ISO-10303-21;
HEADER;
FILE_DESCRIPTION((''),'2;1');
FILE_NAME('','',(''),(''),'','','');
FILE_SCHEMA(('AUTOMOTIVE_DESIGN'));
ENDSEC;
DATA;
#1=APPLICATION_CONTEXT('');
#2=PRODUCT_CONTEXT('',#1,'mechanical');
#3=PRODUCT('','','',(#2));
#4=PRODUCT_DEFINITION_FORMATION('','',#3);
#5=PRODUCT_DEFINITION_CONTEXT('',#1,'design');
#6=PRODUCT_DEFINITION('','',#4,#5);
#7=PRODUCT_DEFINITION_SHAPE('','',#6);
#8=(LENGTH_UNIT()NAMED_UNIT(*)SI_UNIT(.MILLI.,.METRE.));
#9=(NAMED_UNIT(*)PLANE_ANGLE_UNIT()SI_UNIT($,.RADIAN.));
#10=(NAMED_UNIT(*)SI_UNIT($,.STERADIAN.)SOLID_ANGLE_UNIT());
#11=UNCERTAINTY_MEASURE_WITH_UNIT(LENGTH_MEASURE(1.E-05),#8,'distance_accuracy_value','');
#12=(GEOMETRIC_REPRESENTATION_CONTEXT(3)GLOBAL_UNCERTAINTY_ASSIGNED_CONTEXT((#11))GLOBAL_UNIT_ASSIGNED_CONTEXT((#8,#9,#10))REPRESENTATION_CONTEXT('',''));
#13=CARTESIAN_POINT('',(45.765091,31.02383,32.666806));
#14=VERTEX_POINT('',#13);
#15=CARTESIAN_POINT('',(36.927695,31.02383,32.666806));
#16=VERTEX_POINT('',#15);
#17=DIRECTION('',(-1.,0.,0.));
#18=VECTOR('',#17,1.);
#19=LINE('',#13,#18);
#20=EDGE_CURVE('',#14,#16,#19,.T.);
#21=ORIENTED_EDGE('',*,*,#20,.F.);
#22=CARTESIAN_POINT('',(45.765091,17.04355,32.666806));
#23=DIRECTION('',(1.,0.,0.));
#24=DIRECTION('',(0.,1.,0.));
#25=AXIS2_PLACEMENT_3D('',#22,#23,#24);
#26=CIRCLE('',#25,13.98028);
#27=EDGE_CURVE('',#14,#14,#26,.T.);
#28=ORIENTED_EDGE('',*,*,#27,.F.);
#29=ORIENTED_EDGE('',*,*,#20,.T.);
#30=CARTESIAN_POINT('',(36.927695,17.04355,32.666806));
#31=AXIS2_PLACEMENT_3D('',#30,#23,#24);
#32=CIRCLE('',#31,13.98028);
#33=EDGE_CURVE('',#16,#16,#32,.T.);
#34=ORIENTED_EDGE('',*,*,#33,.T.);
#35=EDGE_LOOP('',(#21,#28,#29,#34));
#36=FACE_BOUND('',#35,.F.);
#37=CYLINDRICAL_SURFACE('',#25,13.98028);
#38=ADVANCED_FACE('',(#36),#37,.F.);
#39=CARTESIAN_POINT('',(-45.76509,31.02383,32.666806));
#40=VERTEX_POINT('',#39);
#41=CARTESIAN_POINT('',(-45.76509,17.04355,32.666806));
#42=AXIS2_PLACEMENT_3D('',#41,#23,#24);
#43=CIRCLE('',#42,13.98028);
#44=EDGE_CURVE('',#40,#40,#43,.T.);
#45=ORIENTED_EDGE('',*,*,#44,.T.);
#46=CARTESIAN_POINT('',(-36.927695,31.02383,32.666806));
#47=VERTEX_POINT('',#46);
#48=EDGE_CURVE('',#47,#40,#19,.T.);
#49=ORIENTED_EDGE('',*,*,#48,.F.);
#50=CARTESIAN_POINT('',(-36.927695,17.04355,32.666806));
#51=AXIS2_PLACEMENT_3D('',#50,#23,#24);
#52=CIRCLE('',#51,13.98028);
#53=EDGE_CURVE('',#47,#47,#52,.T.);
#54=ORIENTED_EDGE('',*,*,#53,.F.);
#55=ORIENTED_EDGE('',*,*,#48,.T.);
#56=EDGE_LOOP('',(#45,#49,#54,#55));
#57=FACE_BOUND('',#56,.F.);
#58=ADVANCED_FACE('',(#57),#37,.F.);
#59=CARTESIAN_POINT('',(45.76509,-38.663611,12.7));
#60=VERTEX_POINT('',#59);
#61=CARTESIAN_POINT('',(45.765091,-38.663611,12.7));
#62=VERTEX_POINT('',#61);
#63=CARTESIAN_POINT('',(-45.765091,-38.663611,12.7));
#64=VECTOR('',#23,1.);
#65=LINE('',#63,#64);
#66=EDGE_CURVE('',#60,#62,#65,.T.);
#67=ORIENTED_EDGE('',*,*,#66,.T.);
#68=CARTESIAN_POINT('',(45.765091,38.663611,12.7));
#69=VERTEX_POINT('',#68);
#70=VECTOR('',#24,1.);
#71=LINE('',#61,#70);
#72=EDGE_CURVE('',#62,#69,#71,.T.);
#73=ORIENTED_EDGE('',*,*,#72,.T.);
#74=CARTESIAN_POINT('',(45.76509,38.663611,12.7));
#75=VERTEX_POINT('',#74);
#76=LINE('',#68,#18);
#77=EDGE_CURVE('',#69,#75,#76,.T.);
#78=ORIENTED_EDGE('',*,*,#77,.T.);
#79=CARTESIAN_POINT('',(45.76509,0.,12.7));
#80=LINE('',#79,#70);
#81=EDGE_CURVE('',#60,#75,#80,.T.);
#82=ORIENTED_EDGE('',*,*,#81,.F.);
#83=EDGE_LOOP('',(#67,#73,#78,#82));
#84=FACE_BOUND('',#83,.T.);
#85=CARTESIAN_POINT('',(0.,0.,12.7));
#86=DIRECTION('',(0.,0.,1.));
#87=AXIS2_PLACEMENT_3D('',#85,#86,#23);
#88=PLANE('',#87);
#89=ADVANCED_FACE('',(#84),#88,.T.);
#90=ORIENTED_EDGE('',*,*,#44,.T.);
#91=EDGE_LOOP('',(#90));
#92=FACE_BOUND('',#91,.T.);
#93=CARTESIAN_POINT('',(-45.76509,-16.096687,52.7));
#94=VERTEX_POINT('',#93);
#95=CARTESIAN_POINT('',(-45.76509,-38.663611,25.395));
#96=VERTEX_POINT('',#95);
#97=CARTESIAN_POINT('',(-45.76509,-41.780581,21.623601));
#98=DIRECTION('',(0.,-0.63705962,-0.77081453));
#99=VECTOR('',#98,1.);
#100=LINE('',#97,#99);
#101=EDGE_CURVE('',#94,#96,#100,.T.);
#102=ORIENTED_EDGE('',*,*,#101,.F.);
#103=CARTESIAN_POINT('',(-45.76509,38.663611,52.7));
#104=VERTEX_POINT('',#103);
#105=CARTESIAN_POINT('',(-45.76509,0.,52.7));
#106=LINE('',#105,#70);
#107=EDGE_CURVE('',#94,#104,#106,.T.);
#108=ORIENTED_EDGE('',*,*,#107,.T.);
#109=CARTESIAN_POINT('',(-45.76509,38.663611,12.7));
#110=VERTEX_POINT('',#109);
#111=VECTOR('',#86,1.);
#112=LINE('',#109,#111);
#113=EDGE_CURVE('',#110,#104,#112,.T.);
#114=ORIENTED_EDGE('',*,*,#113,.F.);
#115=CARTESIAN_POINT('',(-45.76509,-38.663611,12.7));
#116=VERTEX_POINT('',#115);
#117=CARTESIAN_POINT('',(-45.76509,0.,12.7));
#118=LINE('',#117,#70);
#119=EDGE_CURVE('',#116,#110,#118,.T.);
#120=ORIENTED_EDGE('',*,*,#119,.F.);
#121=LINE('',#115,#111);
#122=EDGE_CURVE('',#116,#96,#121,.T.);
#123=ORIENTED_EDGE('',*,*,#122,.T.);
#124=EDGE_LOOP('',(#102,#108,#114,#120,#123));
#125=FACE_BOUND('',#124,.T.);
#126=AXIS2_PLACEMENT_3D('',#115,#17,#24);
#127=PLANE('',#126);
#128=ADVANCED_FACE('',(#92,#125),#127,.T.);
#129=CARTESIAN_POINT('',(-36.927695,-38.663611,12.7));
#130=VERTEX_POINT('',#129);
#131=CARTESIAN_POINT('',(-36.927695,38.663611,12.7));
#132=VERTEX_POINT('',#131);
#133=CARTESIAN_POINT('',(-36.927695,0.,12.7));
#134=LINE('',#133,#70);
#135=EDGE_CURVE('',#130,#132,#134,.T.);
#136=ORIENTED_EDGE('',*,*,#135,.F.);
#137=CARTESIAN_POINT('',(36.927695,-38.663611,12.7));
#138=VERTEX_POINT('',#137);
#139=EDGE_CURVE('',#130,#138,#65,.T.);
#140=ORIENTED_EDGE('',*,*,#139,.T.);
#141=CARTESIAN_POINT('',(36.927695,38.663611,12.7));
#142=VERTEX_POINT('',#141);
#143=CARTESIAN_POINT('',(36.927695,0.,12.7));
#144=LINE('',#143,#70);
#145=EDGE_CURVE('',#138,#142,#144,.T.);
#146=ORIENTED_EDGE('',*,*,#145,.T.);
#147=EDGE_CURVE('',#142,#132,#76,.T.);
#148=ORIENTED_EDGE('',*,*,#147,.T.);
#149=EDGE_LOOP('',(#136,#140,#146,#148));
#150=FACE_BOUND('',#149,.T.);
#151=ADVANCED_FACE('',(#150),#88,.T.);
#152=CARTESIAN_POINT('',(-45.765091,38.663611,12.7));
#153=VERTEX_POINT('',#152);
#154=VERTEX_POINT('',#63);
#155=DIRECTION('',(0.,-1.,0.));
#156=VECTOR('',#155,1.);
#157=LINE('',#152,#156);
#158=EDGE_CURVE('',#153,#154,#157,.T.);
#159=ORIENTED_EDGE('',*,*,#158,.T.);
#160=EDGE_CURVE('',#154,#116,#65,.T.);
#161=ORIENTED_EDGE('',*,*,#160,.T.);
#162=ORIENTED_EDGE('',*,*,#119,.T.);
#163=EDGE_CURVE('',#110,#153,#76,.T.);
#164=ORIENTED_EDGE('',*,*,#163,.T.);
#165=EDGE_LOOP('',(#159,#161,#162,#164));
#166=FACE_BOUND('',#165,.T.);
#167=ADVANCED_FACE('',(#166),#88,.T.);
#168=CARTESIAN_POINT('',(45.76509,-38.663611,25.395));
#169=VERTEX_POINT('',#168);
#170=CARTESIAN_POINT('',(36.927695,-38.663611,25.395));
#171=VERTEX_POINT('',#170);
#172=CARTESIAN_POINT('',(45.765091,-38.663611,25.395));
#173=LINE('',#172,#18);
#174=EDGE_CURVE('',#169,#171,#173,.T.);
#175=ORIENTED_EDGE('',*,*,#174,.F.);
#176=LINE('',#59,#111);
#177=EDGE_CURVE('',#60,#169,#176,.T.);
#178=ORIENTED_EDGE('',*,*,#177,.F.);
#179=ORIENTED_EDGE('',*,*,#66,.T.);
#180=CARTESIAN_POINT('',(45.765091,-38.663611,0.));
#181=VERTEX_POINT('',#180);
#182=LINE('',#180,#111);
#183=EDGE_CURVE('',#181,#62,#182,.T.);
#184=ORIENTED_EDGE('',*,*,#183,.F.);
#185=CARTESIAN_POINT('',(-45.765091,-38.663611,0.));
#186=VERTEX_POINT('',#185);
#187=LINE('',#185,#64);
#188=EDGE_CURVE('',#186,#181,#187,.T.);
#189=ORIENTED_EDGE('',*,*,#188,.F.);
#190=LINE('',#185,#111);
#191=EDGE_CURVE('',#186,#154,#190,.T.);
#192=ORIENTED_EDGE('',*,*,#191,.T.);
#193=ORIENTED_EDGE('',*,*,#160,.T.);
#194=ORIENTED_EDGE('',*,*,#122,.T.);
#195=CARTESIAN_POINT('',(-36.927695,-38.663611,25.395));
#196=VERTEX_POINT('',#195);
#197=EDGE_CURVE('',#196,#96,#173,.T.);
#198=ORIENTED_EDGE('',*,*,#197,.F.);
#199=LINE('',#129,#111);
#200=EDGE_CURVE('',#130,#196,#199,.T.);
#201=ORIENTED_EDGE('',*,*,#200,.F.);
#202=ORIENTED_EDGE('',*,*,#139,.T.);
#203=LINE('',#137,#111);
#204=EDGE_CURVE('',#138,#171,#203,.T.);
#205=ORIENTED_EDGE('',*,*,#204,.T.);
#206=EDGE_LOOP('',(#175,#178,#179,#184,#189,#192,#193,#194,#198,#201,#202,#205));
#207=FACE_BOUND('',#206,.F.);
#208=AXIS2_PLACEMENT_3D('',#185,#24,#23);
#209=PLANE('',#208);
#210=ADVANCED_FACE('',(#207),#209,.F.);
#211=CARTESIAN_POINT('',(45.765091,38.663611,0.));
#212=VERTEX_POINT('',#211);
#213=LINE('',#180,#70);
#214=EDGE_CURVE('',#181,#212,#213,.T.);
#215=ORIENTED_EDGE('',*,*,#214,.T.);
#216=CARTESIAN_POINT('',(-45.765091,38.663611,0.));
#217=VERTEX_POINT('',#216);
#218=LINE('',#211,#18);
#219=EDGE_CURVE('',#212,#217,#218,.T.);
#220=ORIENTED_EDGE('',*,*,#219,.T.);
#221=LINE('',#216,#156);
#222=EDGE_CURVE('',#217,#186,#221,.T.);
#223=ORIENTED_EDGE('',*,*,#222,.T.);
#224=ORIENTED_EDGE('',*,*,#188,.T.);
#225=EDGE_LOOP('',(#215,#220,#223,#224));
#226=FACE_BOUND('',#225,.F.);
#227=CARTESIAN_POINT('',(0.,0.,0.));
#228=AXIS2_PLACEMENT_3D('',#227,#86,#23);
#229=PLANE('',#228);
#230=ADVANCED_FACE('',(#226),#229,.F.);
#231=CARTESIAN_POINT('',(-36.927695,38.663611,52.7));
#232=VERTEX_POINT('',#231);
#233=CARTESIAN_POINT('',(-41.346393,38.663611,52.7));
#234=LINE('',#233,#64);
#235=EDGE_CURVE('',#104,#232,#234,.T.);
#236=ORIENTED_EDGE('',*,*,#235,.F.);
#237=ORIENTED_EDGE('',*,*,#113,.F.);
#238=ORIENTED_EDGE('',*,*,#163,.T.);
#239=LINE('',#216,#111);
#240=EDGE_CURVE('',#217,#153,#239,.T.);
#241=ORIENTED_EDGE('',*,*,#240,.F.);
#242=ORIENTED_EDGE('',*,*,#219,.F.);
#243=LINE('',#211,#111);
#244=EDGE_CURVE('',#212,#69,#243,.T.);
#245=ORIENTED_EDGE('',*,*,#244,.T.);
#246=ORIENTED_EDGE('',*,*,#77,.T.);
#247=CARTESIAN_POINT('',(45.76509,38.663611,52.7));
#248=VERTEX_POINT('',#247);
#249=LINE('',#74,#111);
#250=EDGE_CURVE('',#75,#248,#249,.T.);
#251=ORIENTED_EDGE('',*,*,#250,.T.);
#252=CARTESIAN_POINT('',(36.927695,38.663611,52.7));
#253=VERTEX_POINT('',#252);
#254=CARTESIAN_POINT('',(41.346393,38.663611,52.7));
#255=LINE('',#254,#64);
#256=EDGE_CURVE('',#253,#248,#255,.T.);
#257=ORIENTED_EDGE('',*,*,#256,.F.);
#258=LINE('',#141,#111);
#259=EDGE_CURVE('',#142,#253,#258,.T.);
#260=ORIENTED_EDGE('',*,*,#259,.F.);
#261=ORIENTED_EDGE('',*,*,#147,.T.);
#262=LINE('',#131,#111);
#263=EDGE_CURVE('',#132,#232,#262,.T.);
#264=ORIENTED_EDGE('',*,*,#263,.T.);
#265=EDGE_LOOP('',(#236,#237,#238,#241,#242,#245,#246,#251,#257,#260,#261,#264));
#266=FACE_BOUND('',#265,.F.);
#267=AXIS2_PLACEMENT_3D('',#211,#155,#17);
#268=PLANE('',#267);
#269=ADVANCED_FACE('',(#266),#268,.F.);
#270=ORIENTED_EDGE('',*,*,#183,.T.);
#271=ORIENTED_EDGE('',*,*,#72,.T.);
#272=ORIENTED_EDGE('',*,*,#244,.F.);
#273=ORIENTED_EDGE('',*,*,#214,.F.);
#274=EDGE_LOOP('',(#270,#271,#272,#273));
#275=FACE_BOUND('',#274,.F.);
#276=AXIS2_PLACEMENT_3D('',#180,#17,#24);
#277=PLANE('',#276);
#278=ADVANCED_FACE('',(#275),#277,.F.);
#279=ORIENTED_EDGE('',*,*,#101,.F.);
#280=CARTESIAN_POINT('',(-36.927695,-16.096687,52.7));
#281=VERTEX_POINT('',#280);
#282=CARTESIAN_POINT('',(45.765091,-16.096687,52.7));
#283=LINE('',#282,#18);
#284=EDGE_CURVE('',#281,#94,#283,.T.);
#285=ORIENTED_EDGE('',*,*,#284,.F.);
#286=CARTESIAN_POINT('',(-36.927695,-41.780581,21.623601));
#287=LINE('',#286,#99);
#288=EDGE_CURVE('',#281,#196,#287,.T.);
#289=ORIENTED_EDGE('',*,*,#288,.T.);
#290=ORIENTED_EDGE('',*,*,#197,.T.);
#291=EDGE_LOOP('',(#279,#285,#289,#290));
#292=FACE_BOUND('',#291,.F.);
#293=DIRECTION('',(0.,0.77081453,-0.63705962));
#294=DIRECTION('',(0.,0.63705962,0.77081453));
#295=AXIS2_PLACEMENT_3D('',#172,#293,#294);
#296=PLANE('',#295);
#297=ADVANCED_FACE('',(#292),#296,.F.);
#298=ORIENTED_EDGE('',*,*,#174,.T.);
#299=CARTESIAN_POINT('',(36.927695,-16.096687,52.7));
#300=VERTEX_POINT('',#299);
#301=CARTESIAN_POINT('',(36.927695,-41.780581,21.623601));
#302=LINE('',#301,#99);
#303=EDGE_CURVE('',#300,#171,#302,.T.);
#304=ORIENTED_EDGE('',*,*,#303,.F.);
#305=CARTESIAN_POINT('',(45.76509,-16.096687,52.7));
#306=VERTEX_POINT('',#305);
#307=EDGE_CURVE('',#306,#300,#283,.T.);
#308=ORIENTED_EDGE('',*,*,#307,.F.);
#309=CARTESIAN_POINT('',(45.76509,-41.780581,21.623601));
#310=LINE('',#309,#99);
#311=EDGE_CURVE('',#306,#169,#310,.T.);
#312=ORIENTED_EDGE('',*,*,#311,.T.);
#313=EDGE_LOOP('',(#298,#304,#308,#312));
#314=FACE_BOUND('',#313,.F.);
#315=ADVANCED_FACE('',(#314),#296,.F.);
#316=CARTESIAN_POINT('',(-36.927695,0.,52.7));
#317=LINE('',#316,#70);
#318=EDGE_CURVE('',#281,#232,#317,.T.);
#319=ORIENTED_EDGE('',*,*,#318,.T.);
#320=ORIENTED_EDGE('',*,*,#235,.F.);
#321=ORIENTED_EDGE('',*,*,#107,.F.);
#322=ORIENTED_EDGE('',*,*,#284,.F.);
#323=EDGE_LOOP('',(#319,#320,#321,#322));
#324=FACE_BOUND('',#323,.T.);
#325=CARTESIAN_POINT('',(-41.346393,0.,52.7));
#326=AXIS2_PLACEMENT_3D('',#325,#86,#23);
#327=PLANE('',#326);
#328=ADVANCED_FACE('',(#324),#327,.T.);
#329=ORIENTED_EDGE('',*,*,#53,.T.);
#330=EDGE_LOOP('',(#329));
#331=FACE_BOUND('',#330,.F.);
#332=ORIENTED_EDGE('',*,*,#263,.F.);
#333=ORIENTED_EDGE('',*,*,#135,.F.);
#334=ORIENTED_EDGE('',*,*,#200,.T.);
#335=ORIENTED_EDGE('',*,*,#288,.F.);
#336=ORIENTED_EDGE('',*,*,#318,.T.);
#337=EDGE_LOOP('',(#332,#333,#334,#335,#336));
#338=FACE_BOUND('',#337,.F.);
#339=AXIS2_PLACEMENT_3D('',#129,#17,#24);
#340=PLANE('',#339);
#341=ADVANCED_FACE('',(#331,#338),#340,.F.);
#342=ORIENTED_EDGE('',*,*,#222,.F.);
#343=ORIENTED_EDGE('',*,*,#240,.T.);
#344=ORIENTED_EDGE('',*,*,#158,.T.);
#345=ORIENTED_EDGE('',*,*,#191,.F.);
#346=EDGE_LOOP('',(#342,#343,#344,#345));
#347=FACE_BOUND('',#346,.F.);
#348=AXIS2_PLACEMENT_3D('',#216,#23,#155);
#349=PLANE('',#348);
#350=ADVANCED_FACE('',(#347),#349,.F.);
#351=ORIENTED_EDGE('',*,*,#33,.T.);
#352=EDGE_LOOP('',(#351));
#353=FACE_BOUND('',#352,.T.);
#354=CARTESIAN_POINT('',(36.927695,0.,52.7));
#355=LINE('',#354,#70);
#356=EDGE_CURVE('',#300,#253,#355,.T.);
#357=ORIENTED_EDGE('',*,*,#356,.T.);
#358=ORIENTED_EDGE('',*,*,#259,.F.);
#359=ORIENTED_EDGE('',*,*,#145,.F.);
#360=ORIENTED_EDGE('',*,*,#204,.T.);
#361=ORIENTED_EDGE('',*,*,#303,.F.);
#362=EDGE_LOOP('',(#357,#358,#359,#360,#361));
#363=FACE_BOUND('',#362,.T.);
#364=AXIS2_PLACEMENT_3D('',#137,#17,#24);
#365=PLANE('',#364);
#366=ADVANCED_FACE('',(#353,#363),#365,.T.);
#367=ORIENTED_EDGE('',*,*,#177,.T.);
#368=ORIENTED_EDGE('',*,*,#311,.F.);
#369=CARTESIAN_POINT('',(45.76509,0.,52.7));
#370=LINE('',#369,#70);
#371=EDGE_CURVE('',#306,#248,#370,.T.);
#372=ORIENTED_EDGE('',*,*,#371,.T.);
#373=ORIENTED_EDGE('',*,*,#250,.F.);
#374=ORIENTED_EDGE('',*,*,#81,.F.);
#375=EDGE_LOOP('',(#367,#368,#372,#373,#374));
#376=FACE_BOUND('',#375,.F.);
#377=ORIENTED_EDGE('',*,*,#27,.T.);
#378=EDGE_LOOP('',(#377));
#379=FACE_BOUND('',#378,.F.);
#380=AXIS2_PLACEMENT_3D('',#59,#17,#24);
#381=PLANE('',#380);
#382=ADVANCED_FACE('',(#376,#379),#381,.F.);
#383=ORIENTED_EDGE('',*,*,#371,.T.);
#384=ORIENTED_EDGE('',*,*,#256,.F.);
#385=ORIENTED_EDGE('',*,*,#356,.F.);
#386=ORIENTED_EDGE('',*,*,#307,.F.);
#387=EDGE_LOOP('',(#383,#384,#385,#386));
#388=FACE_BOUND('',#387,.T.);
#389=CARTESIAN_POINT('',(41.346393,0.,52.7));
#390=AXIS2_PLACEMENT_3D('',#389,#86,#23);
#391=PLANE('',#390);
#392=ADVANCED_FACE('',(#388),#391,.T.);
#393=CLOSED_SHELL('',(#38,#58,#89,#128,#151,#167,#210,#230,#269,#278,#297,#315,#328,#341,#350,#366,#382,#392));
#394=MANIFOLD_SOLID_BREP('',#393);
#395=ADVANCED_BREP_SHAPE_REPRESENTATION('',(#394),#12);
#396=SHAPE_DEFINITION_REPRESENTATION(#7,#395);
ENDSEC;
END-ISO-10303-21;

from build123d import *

# Parameters (mm, degrees)
F1_DEPTH = 12.7
F2_W     = 8.837395
F2_H     = 77.327222
F3_DEPTH = 40
F4_R     = 13.98028
F5_DEPTH = 91.531181


with BuildPart() as f1:
    # F0 (on Top) → F1 (new body)
    with BuildSketch(Plane.XY):
        Polygon((-45.765091, 38.663611), (-45.765091, 0), (-45.765091, -38.663611), (0, -38.663611), (45.765091, -38.663611), (45.765091, 0), (45.765091, 38.663611), (0, 38.663611), align=None)
    extrude(amount=F1_DEPTH)

    # F2 (on face) → F3 (join)
    with BuildSketch(Plane.XY.offset(12.7)):
        with Locations((41.346393, 0)):
            Rectangle(F2_W, F2_H)
        with Locations((-41.346393, 0)):
            Rectangle(F2_W, F2_H)
    extrude(amount=F3_DEPTH)

    # F4 (on face) → F5 (cut, through all)
    with BuildSketch(Plane.YZ.offset(45.765091)):
        Polygon((-38.663611, 52.7), (-38.663611, 25.395), (-16.096687, 52.7), align=None)
        with Locations((17.04355, 32.666806)):
            Circle(F4_R)
    extrude(amount=-F5_DEPTH, mode=Mode.SUBTRACT)


solid = f1.part
